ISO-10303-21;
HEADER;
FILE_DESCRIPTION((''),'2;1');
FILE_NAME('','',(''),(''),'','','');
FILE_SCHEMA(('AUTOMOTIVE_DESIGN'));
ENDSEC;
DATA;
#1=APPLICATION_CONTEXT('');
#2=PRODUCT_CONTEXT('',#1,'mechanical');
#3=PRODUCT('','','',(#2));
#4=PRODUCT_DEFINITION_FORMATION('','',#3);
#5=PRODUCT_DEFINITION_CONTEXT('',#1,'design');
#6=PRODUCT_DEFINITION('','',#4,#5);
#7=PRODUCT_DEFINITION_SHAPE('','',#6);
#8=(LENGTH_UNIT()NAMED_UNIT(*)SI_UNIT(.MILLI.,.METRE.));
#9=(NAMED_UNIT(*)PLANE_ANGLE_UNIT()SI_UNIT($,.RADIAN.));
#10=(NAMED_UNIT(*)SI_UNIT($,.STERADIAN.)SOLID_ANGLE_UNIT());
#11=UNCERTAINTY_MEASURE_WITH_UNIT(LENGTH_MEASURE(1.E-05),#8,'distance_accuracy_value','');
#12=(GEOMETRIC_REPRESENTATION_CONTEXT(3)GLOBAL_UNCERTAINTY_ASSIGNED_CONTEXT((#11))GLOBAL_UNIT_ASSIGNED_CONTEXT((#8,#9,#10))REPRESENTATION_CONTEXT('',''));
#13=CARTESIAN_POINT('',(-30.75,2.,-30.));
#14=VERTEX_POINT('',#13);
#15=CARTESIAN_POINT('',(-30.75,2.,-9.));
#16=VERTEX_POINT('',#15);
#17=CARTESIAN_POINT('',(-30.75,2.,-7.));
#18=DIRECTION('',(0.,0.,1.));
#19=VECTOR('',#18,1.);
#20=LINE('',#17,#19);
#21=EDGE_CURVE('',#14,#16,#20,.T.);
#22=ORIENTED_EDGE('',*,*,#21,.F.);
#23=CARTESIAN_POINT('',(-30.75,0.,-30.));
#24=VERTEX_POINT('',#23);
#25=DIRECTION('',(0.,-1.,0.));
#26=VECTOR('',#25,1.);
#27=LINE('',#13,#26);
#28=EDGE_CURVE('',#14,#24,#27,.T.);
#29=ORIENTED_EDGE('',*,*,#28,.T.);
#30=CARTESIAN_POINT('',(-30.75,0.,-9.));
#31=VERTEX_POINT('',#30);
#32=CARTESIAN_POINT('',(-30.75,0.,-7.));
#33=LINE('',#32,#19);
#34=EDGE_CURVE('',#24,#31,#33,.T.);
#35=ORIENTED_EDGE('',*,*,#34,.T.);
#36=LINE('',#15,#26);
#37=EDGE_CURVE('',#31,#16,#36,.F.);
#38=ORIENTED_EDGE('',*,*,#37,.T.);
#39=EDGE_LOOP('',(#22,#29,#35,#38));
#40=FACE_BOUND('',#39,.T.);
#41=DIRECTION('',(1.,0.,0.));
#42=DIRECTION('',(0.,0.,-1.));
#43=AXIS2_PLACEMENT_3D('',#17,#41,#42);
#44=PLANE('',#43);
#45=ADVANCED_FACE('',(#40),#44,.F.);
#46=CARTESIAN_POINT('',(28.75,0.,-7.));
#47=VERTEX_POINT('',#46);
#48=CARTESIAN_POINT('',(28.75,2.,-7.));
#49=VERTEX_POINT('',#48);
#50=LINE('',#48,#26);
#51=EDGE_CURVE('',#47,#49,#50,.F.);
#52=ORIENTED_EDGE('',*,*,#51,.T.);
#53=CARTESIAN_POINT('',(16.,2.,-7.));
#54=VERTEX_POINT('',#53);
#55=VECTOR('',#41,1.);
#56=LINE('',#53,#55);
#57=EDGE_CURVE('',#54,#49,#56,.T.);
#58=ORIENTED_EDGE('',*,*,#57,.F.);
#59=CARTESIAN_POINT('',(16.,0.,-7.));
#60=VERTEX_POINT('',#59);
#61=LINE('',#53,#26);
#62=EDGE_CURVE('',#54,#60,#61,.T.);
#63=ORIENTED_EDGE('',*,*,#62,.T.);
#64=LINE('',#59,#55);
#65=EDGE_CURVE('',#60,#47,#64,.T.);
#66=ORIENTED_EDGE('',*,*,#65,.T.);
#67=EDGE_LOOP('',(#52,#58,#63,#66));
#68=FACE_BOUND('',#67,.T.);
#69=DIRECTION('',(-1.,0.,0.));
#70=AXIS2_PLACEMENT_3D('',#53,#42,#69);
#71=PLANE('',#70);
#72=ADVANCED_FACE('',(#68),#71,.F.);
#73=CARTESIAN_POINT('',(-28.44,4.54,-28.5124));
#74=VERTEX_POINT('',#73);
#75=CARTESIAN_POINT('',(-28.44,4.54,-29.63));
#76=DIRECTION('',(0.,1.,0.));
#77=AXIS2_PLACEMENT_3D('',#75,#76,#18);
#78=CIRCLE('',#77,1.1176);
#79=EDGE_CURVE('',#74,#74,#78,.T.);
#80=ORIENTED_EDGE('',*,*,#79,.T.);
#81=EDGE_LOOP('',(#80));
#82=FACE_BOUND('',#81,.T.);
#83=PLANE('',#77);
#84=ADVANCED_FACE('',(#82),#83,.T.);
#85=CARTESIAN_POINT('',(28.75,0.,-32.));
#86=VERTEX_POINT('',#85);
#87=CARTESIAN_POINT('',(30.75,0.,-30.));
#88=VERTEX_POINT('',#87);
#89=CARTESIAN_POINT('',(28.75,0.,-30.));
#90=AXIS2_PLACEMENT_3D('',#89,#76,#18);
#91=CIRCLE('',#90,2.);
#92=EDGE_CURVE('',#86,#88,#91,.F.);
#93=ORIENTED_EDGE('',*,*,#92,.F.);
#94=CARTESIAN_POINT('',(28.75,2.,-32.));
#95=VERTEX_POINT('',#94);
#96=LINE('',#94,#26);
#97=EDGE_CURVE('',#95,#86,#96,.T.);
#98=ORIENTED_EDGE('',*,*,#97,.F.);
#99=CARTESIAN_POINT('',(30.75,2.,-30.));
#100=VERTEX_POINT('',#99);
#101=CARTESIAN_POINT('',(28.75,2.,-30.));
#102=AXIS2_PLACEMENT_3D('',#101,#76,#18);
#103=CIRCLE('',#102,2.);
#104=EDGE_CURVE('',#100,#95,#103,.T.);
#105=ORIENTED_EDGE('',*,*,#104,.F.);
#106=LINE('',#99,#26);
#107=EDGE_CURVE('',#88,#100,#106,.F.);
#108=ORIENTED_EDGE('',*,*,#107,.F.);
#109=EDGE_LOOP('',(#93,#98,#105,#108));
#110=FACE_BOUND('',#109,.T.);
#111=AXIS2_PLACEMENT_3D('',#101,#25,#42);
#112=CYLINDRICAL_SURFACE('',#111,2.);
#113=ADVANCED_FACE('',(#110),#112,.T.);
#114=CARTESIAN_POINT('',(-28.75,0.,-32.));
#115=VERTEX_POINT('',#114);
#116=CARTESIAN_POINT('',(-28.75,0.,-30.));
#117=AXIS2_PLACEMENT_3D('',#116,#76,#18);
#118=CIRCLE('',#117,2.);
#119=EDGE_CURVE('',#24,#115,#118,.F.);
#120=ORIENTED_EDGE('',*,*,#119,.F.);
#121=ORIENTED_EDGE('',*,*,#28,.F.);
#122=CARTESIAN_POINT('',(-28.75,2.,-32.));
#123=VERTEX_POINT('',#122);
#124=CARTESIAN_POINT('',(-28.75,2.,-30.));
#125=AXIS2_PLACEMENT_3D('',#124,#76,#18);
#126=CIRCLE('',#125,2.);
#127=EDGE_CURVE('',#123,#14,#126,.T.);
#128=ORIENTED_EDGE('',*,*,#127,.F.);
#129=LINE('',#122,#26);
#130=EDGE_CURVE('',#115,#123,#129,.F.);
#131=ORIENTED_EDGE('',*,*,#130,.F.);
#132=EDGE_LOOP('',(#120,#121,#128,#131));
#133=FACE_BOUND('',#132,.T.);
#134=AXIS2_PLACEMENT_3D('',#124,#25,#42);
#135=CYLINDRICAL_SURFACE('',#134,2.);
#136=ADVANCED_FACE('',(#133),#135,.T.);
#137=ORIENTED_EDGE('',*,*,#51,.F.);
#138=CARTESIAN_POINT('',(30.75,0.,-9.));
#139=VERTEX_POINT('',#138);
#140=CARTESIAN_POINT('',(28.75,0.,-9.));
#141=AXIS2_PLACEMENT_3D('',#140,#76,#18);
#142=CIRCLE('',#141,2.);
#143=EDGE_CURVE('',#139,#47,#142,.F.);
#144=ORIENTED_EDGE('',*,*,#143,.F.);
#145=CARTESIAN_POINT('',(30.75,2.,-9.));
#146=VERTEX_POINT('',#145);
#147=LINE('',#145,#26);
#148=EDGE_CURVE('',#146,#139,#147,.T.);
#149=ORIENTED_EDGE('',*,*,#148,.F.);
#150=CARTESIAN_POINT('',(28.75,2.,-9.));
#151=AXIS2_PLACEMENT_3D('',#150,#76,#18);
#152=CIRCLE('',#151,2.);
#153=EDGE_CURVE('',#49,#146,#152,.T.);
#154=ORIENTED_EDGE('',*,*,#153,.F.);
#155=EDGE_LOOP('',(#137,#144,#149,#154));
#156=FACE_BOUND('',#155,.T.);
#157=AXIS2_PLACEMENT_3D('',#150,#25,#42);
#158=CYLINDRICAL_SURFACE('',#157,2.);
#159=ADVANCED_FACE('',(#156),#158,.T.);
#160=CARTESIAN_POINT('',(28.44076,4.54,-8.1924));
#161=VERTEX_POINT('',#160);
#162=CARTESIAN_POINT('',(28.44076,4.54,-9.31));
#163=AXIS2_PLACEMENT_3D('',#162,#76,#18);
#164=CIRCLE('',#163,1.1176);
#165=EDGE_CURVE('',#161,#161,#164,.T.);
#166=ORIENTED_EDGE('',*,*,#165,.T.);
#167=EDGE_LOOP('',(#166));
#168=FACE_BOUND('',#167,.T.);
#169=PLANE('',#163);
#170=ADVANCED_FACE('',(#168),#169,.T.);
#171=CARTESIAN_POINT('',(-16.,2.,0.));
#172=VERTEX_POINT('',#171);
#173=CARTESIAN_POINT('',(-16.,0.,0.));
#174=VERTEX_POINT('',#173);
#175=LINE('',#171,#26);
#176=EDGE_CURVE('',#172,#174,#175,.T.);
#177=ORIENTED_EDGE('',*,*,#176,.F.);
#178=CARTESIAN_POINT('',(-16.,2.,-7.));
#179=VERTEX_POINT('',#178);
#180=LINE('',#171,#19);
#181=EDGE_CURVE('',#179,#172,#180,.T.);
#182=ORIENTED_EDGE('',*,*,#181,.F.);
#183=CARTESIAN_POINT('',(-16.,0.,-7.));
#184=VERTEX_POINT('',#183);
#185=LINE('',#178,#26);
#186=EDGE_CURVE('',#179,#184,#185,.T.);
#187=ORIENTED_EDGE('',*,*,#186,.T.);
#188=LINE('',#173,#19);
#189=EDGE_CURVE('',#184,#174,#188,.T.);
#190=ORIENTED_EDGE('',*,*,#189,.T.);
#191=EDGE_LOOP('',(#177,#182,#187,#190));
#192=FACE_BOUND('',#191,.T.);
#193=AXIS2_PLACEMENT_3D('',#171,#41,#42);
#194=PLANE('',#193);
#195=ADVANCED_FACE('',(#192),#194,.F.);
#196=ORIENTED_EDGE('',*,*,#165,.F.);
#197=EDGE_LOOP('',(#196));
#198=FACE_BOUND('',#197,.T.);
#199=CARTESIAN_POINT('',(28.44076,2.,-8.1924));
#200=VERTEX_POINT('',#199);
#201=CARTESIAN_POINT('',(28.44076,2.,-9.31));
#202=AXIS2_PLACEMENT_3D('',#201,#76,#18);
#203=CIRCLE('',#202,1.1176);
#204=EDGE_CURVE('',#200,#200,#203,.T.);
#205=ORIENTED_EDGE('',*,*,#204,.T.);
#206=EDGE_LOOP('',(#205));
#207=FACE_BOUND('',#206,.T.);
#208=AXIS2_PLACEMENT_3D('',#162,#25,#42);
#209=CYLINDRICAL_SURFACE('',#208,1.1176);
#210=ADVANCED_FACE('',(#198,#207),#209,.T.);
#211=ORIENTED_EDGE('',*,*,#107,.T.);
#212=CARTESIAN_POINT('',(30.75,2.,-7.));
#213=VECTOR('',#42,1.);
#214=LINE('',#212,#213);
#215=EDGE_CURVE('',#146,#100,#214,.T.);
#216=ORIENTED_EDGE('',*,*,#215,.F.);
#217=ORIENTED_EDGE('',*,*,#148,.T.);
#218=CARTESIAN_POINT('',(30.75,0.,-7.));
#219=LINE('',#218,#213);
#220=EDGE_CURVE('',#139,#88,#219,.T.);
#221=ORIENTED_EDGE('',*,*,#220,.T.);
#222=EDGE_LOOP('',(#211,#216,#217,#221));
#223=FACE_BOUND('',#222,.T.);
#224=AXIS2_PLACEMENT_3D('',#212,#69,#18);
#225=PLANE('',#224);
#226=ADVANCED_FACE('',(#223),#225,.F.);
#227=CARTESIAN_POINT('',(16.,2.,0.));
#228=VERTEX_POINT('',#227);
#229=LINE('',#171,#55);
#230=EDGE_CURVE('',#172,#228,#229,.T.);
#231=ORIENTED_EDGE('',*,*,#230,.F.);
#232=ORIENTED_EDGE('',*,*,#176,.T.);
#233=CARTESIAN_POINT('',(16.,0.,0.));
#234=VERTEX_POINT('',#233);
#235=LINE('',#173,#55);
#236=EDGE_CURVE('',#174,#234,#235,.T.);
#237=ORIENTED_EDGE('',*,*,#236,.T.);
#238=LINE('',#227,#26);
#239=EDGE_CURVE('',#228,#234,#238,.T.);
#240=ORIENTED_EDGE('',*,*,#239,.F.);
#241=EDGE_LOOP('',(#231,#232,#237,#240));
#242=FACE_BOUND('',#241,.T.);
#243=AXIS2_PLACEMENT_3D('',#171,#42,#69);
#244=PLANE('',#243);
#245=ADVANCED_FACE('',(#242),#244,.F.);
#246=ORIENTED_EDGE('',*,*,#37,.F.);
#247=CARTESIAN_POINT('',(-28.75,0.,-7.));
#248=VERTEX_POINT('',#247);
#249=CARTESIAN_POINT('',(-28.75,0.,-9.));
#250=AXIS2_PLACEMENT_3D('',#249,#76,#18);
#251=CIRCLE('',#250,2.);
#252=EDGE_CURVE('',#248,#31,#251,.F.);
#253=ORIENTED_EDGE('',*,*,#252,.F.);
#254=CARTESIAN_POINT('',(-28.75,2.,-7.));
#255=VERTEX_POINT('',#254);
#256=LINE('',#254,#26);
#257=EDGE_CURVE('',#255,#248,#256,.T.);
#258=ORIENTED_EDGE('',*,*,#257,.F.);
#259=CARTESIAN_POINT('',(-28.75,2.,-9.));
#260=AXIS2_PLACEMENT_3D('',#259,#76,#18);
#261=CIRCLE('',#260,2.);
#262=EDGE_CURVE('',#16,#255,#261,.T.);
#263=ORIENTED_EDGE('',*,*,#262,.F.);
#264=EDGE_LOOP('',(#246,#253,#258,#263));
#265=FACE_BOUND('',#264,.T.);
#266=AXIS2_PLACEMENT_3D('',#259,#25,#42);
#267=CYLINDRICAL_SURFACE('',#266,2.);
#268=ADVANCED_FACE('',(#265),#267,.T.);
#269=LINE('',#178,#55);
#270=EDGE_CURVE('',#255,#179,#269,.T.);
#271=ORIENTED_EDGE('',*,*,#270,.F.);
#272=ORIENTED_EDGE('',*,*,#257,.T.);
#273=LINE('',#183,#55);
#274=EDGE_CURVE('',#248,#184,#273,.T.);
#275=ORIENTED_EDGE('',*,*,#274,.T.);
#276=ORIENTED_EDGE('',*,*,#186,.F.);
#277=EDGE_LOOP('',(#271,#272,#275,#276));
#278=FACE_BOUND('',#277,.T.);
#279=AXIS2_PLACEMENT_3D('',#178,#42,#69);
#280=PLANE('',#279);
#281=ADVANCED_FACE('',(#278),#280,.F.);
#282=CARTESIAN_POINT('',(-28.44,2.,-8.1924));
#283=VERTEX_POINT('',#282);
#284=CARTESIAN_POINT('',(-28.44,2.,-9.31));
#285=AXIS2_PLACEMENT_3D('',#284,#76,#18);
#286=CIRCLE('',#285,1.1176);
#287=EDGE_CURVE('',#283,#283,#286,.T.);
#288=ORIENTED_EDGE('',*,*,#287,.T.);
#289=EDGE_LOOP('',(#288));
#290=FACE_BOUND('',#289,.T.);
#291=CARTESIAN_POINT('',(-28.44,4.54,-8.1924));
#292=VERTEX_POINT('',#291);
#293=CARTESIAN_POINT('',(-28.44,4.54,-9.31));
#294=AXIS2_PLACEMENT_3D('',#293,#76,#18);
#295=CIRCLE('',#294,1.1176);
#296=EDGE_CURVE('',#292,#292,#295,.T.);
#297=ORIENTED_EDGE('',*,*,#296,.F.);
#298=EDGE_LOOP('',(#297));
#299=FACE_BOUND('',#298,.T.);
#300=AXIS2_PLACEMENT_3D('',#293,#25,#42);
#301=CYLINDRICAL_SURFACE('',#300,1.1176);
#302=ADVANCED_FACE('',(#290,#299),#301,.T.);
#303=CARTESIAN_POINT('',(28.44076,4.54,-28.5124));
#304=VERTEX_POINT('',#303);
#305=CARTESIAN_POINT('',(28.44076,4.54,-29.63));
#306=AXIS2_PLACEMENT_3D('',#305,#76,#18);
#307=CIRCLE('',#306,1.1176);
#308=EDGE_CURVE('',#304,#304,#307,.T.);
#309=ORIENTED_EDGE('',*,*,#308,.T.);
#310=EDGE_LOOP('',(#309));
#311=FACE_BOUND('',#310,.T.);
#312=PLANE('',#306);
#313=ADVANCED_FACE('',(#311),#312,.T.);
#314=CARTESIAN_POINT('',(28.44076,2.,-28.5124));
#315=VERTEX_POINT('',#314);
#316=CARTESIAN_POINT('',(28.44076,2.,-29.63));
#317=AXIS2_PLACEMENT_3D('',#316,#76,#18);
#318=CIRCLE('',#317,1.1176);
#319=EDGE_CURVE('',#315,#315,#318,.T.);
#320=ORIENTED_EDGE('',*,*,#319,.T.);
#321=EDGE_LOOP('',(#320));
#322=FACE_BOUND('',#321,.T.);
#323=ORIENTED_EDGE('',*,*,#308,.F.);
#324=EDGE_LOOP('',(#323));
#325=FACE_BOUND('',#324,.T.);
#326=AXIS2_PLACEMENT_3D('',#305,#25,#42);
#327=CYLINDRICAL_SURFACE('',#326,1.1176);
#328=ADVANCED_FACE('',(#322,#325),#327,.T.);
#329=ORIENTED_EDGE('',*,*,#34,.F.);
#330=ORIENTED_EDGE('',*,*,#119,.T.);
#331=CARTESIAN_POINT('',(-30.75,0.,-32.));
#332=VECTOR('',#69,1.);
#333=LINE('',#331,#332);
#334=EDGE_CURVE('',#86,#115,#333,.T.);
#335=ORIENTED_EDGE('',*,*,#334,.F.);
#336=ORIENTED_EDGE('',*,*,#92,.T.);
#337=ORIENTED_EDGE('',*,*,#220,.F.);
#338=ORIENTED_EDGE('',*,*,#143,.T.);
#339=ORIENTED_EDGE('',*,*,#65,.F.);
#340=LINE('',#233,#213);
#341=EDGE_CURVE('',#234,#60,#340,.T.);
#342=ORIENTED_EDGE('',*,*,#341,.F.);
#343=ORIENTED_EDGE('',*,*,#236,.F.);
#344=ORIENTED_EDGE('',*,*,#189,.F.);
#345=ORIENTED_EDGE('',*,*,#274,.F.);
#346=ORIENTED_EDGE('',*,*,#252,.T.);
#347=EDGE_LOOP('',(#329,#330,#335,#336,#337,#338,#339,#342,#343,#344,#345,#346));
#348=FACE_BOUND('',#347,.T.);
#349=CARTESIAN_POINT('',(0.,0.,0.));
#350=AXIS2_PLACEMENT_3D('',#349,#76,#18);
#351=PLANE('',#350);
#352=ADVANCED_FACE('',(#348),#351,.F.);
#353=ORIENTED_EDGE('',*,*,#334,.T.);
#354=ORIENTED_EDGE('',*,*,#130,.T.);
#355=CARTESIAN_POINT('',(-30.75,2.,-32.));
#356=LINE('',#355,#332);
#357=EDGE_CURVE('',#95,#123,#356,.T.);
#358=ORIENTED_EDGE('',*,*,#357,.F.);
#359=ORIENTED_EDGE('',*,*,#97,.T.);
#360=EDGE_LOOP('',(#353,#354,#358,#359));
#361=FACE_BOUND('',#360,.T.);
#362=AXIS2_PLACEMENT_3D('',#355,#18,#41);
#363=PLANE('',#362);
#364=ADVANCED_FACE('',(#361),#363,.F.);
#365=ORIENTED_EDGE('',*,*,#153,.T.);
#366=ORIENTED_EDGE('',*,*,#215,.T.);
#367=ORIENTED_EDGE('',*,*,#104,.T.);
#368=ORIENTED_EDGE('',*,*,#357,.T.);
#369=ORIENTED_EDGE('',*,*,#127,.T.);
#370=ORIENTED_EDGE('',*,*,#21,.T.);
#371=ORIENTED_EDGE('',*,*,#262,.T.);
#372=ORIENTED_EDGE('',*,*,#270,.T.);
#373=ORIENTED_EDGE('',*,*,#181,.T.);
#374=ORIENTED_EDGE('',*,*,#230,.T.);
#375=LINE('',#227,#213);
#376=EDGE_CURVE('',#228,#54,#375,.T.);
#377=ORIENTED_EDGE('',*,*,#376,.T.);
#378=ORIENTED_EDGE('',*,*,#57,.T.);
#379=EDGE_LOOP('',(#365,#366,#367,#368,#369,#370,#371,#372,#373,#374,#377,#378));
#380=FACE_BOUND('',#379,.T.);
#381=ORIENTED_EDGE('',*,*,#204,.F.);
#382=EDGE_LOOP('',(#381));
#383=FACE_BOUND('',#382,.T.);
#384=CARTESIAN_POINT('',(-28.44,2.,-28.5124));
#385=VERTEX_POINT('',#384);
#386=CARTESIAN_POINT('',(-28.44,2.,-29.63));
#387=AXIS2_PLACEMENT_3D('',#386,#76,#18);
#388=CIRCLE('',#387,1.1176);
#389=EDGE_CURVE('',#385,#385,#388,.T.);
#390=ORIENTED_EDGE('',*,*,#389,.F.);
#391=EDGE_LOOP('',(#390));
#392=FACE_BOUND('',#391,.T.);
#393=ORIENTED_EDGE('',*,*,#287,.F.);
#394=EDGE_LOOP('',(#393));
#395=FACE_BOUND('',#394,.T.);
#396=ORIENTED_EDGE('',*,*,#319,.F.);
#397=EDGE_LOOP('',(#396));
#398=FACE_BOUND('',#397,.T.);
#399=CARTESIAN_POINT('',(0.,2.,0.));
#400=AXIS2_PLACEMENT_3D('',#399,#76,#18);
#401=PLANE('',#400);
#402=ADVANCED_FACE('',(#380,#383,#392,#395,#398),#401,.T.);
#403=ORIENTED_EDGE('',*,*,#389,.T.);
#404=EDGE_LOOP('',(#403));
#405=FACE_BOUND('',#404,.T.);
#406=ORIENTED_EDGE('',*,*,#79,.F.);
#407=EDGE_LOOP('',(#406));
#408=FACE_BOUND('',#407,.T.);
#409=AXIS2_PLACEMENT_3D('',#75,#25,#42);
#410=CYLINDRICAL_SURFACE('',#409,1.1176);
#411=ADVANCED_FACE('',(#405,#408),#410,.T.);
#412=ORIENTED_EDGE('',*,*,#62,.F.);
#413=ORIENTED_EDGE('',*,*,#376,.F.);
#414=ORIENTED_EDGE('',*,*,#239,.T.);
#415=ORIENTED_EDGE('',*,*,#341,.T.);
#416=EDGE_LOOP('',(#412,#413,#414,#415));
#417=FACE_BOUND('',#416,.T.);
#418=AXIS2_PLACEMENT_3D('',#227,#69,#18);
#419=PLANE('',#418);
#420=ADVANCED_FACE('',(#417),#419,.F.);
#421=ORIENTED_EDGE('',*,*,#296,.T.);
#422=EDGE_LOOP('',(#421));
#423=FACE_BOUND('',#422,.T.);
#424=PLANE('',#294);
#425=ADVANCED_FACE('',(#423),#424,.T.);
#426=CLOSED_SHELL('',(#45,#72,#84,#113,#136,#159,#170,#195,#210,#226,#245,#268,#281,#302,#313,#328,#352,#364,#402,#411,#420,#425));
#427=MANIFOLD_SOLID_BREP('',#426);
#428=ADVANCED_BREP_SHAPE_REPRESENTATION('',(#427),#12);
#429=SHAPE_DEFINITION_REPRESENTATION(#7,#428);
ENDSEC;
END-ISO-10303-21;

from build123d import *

# Parameters (mm, degrees)
BOSS_EXTRUDE1_DEPTH = 2
SKETCH4_R           = 1.1176
BOSS_EXTRUDE2_DEPTH = 2.54
FILLET1_R           = 2


with BuildPart() as part:
    # Sketch3 → Boss-Extrude1 (new body)
    with BuildSketch(Plane(origin=(0, 0, 0), x_dir=(1, 0, 0), z_dir=(0, 1, 0))):
        Polygon((-16, 0), (16, 0), (16, 7), (30.75, 7), (30.75, 32), (-30.75, 32), (-30.75, 7), (-16, 7), align=None)
    extrude(amount=BOSS_EXTRUDE1_DEPTH)

    # Sketch4 → Boss-Extrude2 (add)
    with BuildSketch(Plane(origin=(0, 2, 0), x_dir=(1, 0, 0), z_dir=(0, 1, 0))):
        with Locations(Location((-28.44, 9.31, 0), (0, 0, 270))):
            Circle(SKETCH4_R)
        with Locations(Location((-28.44, 29.63, 0), (0, 0, 270))):
            Circle(SKETCH4_R)
        with Locations(Location((28.44076, 29.63, 0), (0, 0, 270))):
            Circle(SKETCH4_R)
        with Locations(Location((28.44076, 9.31, 0), (0, 0, 270))):
            Circle(SKETCH4_R)
    extrude(amount=BOSS_EXTRUDE2_DEPTH)

    # Fillet1
    fillet1_edges = [part.edges().sort_by_distance(p)[0] for p in [
        (-30.75, 1, -7),
        (-30.75, 1, -32),
        (30.75, 1, -32),
        (30.75, 1, -7),
    ]]
    fillet(fillet1_edges, radius=FILLET1_R)


solid = part.part
